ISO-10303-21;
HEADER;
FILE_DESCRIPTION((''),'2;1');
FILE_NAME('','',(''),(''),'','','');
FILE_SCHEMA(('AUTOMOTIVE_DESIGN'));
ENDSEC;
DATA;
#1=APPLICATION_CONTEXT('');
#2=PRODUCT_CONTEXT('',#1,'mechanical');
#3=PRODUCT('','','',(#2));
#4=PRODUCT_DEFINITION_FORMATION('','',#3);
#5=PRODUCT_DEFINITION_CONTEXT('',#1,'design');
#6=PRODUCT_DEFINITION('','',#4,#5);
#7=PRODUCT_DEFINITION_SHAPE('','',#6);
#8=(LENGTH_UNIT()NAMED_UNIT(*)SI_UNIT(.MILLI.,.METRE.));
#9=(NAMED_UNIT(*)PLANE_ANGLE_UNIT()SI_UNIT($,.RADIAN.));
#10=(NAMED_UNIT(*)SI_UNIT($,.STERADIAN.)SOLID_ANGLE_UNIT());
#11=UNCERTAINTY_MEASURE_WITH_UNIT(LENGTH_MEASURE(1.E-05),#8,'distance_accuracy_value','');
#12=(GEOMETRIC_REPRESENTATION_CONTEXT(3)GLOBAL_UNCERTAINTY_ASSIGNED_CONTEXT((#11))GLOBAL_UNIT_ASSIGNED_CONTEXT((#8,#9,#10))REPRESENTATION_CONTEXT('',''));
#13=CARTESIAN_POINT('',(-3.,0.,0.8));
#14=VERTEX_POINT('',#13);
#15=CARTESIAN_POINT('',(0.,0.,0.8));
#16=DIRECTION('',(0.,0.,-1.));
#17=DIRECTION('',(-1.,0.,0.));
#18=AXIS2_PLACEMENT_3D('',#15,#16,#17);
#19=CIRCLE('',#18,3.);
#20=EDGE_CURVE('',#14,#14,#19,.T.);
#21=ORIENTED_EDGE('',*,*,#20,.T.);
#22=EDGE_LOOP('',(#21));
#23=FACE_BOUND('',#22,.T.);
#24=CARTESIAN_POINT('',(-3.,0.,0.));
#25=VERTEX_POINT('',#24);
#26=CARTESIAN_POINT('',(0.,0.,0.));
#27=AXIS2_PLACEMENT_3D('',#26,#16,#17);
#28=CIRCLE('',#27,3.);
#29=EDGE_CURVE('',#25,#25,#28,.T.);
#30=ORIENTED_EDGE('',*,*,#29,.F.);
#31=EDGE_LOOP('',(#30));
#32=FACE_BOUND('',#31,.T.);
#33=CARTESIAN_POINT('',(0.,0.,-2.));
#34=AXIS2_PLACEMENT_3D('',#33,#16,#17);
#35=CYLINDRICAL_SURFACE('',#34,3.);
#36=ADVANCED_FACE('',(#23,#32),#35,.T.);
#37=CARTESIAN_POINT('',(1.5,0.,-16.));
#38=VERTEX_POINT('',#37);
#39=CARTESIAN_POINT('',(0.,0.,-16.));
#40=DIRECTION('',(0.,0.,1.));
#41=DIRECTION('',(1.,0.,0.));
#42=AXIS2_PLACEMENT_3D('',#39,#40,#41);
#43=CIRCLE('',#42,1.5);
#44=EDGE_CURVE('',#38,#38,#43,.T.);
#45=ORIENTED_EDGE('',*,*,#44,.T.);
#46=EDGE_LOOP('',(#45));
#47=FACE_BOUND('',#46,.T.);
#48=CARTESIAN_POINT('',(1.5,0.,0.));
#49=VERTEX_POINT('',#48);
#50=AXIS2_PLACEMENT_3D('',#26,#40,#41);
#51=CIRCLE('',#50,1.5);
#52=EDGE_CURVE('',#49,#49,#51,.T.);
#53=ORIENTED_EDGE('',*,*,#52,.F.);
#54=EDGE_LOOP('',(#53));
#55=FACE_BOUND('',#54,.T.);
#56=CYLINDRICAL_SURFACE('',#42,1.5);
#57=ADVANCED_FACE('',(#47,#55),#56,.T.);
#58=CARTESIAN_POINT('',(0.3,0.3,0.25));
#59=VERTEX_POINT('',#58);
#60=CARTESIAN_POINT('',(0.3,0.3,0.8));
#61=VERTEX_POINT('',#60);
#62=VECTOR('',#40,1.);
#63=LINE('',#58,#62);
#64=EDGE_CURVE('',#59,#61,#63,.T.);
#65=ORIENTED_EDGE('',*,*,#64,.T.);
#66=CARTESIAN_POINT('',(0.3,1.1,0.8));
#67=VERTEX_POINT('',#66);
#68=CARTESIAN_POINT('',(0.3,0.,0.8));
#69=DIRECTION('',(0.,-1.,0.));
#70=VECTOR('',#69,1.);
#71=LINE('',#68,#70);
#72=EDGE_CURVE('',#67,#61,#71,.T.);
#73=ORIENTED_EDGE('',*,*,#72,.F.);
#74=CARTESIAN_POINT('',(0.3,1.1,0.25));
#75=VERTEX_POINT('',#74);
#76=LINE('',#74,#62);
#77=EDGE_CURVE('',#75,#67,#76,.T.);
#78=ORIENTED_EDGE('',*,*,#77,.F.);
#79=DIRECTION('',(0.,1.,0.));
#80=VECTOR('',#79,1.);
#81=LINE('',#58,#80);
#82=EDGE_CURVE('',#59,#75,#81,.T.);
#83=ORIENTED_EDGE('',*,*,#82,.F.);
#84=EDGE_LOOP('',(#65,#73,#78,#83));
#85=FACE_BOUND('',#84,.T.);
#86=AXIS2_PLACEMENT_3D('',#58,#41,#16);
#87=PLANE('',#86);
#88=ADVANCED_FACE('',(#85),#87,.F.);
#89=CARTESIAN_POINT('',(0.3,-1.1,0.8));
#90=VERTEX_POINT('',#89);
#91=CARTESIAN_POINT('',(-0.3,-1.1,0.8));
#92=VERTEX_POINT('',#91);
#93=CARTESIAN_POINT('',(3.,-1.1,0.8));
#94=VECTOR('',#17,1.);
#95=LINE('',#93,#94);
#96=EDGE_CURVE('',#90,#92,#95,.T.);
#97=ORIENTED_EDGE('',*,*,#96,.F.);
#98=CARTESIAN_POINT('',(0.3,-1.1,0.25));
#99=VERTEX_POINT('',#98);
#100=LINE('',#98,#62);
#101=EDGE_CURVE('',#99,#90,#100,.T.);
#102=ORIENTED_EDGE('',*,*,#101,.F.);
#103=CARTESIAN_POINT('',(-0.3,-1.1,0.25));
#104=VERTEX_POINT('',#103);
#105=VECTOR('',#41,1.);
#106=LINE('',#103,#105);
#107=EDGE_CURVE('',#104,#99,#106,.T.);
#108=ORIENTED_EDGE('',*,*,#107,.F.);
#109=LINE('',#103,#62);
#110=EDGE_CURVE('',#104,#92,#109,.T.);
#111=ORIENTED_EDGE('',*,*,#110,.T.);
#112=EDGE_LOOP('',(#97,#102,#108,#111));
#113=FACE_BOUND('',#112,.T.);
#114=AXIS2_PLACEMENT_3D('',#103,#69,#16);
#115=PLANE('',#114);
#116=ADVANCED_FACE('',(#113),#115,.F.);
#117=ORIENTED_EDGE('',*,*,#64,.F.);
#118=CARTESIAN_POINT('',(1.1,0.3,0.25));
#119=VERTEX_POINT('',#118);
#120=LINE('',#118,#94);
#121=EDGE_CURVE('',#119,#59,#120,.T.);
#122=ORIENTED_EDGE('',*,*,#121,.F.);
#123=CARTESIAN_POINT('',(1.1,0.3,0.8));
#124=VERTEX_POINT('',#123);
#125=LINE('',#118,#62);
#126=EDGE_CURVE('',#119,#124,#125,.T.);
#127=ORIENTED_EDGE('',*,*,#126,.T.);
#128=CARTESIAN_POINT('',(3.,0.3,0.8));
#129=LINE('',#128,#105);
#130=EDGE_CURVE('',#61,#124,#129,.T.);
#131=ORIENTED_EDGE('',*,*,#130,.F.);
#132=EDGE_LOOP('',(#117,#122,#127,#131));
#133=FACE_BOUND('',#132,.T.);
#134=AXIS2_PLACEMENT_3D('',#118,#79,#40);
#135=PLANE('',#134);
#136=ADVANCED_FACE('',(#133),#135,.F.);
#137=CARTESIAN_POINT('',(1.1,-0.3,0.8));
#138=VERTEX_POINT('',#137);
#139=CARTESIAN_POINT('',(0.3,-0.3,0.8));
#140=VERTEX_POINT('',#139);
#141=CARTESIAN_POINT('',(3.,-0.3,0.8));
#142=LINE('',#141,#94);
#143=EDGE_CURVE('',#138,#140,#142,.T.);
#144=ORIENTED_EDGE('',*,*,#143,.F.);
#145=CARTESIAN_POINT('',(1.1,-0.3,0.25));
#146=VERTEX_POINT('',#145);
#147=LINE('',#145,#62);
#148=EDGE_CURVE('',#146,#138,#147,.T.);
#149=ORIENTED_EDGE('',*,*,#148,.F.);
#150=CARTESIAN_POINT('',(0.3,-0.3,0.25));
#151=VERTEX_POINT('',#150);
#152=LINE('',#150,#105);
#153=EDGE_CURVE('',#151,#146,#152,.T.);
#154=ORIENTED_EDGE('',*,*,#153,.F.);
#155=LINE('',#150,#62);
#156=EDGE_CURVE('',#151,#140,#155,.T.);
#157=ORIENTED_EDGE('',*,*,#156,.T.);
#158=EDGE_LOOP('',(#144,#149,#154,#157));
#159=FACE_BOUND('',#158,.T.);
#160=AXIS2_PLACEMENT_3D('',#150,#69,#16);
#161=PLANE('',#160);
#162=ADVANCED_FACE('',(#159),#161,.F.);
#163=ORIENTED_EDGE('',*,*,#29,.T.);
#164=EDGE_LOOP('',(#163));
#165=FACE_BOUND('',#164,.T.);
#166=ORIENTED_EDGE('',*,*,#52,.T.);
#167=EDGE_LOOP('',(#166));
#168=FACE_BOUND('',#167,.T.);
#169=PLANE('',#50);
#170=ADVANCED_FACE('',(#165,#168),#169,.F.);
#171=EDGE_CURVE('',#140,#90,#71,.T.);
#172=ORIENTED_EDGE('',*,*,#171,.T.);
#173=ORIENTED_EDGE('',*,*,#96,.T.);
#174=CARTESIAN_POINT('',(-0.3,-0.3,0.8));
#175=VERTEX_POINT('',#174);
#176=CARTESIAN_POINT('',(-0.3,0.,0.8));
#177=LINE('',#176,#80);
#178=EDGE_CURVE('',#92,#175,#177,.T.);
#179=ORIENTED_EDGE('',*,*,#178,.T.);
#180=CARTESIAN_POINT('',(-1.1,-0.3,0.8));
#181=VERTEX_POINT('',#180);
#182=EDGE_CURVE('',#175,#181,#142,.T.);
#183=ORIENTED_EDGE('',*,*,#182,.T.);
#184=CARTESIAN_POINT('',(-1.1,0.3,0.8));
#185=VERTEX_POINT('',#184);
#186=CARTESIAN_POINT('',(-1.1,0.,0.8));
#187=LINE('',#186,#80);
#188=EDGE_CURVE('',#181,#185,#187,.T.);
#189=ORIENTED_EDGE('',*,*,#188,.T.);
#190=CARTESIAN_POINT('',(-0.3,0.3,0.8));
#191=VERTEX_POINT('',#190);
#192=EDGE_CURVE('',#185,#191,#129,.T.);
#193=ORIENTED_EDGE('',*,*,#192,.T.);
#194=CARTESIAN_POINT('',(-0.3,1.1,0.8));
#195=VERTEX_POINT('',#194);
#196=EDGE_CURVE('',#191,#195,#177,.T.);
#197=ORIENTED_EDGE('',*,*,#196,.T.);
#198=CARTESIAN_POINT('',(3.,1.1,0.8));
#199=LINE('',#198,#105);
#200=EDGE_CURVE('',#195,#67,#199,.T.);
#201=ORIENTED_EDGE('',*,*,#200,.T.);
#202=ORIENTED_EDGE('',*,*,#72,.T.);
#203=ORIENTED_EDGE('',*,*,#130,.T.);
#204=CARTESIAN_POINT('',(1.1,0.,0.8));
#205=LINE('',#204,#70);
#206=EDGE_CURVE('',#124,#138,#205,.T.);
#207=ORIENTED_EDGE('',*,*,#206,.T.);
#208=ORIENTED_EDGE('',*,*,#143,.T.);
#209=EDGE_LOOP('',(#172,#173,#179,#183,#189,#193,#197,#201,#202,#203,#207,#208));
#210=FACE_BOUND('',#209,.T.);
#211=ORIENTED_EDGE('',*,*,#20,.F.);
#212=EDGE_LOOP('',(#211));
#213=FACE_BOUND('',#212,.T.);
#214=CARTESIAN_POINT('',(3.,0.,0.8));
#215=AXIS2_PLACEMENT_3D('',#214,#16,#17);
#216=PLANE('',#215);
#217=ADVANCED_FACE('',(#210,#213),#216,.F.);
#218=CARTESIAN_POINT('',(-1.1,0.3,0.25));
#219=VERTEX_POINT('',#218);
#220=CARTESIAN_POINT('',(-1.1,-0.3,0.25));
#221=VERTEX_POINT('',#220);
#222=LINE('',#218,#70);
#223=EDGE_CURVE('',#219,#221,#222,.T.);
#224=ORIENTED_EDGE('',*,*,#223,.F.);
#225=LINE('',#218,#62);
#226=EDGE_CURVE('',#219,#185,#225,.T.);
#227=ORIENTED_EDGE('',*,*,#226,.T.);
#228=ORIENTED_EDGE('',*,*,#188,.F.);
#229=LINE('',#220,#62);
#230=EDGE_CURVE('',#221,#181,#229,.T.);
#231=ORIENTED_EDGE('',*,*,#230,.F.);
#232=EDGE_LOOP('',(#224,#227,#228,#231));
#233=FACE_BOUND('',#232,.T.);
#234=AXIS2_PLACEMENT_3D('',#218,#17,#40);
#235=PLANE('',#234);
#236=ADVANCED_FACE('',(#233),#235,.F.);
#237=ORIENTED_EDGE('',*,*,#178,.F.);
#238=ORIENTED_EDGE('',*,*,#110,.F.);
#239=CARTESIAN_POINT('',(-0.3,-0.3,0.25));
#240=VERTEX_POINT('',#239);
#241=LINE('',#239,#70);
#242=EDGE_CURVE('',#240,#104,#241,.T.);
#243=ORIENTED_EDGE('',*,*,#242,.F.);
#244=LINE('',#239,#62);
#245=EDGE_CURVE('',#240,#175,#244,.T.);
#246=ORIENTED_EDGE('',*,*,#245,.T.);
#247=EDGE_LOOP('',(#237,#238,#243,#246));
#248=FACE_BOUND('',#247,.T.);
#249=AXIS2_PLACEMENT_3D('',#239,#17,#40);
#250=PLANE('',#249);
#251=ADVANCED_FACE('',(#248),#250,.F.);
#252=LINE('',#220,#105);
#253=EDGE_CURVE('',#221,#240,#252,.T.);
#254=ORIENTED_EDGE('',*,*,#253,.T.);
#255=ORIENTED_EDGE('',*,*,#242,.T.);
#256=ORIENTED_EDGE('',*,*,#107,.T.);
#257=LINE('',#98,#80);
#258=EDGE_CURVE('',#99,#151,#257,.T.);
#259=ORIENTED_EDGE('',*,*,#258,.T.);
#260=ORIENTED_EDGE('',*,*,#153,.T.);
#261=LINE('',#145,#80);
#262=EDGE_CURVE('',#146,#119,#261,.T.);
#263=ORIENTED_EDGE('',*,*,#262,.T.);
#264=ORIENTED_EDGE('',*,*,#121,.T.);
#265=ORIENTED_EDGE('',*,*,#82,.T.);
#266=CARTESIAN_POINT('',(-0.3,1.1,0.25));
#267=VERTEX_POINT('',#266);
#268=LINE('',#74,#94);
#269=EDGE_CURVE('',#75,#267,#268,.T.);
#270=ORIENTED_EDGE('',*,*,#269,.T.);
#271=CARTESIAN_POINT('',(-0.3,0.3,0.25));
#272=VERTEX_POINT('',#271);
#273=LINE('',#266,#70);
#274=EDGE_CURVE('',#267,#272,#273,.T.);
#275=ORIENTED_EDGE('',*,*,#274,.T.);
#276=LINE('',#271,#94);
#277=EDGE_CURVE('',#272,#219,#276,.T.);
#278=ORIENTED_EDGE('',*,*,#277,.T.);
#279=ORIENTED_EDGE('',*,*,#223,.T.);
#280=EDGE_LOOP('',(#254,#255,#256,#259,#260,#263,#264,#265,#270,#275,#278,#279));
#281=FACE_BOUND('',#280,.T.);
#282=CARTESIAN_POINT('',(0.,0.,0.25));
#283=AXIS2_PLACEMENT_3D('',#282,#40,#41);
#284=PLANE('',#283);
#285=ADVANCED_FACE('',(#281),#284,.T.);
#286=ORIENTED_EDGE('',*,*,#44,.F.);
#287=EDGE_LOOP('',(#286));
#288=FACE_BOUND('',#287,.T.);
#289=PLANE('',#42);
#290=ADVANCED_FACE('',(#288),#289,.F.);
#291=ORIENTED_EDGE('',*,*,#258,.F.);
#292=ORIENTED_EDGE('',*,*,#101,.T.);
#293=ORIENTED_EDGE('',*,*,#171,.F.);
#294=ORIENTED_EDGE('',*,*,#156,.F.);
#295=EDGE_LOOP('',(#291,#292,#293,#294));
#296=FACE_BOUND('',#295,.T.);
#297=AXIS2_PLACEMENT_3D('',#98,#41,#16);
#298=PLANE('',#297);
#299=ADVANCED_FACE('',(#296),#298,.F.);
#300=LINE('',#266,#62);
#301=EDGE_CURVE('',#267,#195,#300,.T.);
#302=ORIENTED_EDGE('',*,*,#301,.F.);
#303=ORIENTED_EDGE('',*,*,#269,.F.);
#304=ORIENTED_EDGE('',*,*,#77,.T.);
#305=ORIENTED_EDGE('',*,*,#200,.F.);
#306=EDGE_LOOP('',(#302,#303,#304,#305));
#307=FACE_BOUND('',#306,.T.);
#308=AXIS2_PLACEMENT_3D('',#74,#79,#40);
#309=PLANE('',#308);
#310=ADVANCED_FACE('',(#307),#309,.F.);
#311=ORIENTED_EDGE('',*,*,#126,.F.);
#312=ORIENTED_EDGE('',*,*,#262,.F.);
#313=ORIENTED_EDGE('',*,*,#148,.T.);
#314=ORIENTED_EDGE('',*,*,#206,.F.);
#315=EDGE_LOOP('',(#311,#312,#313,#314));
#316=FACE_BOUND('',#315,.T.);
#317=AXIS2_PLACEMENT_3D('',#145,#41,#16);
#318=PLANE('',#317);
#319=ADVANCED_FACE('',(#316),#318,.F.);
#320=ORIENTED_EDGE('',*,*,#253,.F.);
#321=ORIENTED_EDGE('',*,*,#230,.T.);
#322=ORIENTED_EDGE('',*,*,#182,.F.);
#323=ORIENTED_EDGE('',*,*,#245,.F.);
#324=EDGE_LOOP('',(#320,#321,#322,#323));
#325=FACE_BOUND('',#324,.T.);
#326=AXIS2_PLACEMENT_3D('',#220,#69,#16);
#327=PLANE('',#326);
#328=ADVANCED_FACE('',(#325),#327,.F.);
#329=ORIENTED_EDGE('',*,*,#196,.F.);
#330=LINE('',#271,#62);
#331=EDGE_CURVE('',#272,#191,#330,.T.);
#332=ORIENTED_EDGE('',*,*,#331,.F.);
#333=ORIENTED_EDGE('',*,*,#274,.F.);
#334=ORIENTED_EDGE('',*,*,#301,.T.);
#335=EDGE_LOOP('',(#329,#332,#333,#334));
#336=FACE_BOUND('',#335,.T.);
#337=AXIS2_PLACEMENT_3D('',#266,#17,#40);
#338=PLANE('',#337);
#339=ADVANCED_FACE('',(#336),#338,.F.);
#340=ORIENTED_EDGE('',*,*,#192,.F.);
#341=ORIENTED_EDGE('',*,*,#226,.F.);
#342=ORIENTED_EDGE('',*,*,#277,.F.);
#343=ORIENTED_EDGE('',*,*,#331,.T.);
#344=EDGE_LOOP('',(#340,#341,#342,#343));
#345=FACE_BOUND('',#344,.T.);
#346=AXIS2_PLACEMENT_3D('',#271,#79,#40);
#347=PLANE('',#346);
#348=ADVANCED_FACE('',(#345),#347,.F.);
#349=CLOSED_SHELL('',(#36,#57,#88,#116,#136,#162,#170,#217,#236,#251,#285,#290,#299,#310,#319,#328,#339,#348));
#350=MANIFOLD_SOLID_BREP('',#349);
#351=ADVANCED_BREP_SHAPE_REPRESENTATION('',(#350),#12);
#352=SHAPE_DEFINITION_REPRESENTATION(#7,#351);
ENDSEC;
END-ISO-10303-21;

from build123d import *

# Parameters (mm, degrees)
SKETCH_1_R        = 1.5
EXTRUDE_198_DEPTH = 16
SKETCH_6_W        = 3
SKETCH_6_H        = 0.8
PH1_START         = 0.81
PH1_DEPTH         = 0.56


with BuildPart() as part:
    # 草图1 → Extrude 198 (new body)
    with BuildSketch(Plane.XY):
        Circle(SKETCH_1_R)
    extrude(amount=-EXTRUDE_198_DEPTH)

    # 草图6 → Revolve 324 (revolve)
    with BuildSketch(Plane(origin=(0, 0, 0), x_dir=(1, 0, 0), z_dir=(0, 1, 0)), mode=Mode.PRIVATE) as revolve_324_sk:
        with Locations((1.5, -0.4)):
            Rectangle(SKETCH_6_W, SKETCH_6_H)
    revolve(revolve_324_sk.sketch.rotate(Axis((0, 0, -2), (0, 0, 1)), 180), axis=Axis((0, 0, -2), (0, 0, 1)))

    # 草图7 → 十字槽_PH1_简化 (cut)
    with BuildSketch(Plane.XY.offset(PH1_START)):
        Polygon((-0.3, -1.1), (0.3, -1.1), (0.3, -0.3), (1.1, -0.3), (1.1, 0.3), (0.3, 0.3), (0.3, 1.1), (-0.3, 1.1), (-0.3, 0.3), (-1.1, 0.3), (-1.1, -0.3), (-0.3, -0.3), align=None)
    extrude(amount=-PH1_DEPTH, mode=Mode.SUBTRACT)


solid = part.part
